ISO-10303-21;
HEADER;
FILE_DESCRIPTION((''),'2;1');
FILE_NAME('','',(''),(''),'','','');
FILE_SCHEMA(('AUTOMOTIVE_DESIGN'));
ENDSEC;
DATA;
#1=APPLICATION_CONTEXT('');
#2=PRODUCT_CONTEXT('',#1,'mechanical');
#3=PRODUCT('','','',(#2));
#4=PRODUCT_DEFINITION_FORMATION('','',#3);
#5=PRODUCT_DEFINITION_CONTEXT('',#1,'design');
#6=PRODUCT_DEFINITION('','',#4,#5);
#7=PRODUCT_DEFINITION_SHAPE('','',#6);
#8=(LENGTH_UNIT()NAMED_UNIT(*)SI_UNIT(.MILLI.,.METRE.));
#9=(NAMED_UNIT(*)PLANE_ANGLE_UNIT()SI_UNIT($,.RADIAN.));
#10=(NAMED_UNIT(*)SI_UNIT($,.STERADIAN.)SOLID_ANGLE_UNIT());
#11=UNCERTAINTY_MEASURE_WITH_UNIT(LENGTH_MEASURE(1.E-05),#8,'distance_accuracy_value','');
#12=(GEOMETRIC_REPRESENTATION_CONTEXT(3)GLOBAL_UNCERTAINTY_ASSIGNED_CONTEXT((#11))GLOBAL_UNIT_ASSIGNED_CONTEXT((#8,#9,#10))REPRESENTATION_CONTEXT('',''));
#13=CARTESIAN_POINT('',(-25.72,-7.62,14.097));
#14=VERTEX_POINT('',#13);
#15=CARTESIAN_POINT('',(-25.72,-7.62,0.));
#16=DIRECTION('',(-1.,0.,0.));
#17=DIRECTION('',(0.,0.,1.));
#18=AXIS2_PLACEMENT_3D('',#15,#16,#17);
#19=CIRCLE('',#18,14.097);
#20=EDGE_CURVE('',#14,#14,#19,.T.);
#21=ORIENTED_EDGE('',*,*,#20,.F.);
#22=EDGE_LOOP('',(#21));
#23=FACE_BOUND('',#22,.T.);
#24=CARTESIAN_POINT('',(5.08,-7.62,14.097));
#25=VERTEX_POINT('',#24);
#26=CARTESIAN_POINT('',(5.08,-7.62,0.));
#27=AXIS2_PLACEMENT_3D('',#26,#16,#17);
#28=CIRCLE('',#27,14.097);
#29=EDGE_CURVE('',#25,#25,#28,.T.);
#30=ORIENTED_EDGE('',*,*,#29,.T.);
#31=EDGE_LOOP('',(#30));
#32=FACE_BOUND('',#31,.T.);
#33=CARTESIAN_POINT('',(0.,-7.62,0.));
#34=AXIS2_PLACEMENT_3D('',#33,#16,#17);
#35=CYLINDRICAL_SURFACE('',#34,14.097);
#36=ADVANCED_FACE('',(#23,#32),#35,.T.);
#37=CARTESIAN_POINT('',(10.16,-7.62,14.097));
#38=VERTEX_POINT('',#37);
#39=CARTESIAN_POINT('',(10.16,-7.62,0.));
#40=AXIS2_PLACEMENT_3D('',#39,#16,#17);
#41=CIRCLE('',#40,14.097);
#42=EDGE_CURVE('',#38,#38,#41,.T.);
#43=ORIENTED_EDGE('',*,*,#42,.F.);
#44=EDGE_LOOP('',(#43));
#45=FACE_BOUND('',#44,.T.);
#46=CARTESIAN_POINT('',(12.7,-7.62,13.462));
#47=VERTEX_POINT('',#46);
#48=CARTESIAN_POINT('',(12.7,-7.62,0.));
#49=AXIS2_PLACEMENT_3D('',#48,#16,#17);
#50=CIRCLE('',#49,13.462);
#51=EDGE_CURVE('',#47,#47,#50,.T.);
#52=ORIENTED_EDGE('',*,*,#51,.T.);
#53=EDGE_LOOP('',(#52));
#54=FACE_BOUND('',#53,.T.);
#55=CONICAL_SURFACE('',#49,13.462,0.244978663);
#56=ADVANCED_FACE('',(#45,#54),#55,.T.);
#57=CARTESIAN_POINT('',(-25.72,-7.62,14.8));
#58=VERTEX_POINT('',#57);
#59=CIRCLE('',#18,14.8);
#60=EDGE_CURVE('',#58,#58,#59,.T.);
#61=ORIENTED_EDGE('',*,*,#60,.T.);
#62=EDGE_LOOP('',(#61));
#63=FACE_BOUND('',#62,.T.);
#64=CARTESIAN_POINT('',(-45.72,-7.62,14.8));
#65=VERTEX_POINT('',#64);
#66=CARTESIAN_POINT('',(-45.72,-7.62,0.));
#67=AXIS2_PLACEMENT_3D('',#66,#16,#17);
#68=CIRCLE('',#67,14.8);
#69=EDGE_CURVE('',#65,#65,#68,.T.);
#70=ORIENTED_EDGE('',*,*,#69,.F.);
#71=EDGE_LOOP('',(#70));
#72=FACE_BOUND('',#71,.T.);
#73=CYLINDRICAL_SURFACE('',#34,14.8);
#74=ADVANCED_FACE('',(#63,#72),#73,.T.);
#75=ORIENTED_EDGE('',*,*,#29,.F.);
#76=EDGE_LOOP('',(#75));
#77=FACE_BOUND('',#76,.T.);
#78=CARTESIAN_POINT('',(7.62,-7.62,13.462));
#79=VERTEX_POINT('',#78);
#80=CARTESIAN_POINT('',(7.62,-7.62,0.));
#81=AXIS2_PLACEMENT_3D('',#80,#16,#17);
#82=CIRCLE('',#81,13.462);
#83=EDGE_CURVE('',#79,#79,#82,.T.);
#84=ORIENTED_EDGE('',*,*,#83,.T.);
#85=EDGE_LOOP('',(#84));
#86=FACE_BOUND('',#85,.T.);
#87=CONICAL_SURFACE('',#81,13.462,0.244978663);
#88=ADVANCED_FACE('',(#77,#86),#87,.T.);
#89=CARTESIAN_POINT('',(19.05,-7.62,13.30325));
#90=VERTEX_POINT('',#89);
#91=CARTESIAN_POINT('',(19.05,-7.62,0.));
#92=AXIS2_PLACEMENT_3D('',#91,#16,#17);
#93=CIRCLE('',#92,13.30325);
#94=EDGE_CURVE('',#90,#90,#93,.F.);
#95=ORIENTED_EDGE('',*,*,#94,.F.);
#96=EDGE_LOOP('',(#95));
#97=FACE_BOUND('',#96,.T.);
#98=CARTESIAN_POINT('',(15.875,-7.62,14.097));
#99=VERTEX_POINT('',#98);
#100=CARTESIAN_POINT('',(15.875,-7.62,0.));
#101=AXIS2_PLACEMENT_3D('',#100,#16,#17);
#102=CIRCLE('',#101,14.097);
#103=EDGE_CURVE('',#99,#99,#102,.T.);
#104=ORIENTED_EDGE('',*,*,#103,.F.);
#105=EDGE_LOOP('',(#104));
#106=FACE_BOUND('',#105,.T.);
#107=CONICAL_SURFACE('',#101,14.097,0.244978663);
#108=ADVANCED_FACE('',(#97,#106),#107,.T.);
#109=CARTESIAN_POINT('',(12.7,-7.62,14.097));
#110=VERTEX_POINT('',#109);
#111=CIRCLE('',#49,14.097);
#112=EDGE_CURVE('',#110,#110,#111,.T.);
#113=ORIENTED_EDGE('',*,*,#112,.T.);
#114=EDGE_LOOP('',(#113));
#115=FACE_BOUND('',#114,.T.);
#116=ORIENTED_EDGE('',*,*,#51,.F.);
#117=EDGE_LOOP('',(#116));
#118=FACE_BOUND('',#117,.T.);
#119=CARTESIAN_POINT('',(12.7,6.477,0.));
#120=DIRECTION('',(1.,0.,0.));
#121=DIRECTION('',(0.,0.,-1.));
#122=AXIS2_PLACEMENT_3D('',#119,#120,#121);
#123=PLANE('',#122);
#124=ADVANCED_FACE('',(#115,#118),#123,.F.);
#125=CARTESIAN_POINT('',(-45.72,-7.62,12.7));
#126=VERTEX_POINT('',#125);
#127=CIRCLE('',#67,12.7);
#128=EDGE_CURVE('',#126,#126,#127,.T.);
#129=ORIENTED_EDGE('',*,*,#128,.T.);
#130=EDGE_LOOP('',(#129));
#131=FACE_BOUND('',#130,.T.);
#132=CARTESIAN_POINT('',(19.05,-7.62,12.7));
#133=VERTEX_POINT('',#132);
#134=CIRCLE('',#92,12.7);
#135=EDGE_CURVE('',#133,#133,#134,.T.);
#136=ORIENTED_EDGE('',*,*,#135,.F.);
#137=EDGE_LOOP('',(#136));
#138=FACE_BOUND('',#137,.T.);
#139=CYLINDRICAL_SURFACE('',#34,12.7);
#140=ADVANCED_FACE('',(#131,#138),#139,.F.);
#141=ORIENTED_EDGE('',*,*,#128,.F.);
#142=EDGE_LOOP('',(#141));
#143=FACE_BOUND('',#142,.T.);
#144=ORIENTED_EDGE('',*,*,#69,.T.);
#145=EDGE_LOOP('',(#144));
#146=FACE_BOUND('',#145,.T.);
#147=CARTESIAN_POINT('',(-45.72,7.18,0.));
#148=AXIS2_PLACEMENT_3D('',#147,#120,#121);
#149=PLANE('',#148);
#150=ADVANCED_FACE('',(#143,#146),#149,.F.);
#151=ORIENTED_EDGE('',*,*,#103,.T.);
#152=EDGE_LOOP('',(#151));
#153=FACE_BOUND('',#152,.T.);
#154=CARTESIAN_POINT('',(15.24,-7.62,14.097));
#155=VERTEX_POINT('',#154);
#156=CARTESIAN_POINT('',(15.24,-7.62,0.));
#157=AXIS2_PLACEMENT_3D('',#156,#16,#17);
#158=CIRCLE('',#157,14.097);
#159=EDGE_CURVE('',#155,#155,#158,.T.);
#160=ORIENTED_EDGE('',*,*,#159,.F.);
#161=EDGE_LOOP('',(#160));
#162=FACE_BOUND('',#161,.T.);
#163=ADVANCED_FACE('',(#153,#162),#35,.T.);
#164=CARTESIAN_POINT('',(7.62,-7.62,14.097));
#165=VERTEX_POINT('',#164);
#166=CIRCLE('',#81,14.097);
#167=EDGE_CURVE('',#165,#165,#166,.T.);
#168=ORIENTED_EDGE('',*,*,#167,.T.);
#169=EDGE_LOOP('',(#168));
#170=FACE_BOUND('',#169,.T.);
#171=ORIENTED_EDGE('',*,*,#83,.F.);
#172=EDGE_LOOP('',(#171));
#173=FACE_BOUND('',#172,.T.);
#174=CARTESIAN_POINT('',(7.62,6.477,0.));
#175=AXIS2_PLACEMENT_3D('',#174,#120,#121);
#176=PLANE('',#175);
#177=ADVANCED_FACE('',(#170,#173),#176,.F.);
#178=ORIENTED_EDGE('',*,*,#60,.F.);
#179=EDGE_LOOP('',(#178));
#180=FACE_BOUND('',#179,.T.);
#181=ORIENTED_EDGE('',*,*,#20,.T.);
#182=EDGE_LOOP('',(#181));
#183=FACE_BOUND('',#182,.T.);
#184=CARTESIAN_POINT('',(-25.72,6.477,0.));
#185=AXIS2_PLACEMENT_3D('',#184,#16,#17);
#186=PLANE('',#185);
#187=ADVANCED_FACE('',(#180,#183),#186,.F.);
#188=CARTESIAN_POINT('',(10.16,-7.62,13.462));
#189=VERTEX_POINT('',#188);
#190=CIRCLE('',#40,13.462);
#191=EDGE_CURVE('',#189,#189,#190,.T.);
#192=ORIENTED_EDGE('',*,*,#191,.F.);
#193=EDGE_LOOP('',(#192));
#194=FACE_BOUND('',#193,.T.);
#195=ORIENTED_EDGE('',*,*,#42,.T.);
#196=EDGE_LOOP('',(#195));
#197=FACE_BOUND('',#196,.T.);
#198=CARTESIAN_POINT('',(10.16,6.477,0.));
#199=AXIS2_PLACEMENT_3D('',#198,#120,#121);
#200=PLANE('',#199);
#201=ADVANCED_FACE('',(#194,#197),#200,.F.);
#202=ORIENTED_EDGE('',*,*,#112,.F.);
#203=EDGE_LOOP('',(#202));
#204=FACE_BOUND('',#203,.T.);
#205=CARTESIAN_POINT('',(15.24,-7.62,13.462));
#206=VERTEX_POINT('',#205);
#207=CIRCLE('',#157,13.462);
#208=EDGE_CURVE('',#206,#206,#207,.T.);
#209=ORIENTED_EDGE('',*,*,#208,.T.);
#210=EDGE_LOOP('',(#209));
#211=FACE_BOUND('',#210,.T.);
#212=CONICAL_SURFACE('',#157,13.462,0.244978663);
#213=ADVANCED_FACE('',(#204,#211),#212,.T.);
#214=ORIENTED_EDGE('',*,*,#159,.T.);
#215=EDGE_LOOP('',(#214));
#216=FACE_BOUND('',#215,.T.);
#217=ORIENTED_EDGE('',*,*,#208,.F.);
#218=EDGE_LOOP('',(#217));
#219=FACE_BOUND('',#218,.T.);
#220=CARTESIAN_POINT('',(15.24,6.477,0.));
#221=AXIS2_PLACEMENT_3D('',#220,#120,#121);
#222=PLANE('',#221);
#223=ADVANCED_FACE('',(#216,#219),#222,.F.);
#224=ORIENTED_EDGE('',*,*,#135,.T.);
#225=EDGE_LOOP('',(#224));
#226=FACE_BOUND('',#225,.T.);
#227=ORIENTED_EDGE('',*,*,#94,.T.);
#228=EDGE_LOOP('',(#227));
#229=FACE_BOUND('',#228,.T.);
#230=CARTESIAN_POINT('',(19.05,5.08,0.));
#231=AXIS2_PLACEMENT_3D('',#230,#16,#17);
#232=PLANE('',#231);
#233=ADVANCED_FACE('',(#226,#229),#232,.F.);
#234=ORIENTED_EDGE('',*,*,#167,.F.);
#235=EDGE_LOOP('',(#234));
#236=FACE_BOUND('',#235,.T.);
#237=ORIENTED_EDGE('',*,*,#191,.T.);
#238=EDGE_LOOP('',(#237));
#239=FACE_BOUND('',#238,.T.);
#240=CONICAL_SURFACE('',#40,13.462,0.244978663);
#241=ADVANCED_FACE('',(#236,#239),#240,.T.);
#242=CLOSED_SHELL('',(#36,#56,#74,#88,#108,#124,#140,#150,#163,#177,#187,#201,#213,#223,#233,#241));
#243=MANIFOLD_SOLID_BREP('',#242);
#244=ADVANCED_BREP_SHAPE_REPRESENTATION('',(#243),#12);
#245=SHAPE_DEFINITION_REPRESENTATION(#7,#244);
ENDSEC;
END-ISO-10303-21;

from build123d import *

# Parameters (mm, degrees)
CHAMFER1_SIZE  = 0.79375
CHAMFER1_SIZE2 = 3.175


with BuildPart() as part:
    # Esquisse1 → Revolution1 (revolve)
    with BuildSketch(Plane.XY, mode=Mode.PRIVATE) as revolution1_sk:
        Polygon((-45.72, 5.08), (19.05, 5.08), (19.05, 6.477), (15.24, 6.477), (15.24, 5.842), (12.7, 6.477), (12.7, 5.842), (10.16, 6.477), (10.16, 5.842), (7.62, 6.477), (7.62, 5.842), (5.08, 6.477), (-25.72, 6.477), (-25.72, 7.18), (-45.72, 7.18), align=None)
    revolve(revolution1_sk.sketch.rotate(Axis((0, -7.62, 0), (1, 0, 0)), 90), axis=Axis((0, -7.62, 0), (1, 0, 0)))

    # Chamfer1
    chamfer1_edges = [part.edges().sort_by_distance(p)[0] for p in [
        (19.05, -7.62, -14.097),
    ]]
    chamfer1_side = [part.faces().sort_by_distance(p)[0] for p in [
        (19.05, -7.62, -13.098723372),
    ]]
    chamfer(chamfer1_edges, length=CHAMFER1_SIZE, length2=CHAMFER1_SIZE2, reference=chamfer1_side[0])


solid = part.part
